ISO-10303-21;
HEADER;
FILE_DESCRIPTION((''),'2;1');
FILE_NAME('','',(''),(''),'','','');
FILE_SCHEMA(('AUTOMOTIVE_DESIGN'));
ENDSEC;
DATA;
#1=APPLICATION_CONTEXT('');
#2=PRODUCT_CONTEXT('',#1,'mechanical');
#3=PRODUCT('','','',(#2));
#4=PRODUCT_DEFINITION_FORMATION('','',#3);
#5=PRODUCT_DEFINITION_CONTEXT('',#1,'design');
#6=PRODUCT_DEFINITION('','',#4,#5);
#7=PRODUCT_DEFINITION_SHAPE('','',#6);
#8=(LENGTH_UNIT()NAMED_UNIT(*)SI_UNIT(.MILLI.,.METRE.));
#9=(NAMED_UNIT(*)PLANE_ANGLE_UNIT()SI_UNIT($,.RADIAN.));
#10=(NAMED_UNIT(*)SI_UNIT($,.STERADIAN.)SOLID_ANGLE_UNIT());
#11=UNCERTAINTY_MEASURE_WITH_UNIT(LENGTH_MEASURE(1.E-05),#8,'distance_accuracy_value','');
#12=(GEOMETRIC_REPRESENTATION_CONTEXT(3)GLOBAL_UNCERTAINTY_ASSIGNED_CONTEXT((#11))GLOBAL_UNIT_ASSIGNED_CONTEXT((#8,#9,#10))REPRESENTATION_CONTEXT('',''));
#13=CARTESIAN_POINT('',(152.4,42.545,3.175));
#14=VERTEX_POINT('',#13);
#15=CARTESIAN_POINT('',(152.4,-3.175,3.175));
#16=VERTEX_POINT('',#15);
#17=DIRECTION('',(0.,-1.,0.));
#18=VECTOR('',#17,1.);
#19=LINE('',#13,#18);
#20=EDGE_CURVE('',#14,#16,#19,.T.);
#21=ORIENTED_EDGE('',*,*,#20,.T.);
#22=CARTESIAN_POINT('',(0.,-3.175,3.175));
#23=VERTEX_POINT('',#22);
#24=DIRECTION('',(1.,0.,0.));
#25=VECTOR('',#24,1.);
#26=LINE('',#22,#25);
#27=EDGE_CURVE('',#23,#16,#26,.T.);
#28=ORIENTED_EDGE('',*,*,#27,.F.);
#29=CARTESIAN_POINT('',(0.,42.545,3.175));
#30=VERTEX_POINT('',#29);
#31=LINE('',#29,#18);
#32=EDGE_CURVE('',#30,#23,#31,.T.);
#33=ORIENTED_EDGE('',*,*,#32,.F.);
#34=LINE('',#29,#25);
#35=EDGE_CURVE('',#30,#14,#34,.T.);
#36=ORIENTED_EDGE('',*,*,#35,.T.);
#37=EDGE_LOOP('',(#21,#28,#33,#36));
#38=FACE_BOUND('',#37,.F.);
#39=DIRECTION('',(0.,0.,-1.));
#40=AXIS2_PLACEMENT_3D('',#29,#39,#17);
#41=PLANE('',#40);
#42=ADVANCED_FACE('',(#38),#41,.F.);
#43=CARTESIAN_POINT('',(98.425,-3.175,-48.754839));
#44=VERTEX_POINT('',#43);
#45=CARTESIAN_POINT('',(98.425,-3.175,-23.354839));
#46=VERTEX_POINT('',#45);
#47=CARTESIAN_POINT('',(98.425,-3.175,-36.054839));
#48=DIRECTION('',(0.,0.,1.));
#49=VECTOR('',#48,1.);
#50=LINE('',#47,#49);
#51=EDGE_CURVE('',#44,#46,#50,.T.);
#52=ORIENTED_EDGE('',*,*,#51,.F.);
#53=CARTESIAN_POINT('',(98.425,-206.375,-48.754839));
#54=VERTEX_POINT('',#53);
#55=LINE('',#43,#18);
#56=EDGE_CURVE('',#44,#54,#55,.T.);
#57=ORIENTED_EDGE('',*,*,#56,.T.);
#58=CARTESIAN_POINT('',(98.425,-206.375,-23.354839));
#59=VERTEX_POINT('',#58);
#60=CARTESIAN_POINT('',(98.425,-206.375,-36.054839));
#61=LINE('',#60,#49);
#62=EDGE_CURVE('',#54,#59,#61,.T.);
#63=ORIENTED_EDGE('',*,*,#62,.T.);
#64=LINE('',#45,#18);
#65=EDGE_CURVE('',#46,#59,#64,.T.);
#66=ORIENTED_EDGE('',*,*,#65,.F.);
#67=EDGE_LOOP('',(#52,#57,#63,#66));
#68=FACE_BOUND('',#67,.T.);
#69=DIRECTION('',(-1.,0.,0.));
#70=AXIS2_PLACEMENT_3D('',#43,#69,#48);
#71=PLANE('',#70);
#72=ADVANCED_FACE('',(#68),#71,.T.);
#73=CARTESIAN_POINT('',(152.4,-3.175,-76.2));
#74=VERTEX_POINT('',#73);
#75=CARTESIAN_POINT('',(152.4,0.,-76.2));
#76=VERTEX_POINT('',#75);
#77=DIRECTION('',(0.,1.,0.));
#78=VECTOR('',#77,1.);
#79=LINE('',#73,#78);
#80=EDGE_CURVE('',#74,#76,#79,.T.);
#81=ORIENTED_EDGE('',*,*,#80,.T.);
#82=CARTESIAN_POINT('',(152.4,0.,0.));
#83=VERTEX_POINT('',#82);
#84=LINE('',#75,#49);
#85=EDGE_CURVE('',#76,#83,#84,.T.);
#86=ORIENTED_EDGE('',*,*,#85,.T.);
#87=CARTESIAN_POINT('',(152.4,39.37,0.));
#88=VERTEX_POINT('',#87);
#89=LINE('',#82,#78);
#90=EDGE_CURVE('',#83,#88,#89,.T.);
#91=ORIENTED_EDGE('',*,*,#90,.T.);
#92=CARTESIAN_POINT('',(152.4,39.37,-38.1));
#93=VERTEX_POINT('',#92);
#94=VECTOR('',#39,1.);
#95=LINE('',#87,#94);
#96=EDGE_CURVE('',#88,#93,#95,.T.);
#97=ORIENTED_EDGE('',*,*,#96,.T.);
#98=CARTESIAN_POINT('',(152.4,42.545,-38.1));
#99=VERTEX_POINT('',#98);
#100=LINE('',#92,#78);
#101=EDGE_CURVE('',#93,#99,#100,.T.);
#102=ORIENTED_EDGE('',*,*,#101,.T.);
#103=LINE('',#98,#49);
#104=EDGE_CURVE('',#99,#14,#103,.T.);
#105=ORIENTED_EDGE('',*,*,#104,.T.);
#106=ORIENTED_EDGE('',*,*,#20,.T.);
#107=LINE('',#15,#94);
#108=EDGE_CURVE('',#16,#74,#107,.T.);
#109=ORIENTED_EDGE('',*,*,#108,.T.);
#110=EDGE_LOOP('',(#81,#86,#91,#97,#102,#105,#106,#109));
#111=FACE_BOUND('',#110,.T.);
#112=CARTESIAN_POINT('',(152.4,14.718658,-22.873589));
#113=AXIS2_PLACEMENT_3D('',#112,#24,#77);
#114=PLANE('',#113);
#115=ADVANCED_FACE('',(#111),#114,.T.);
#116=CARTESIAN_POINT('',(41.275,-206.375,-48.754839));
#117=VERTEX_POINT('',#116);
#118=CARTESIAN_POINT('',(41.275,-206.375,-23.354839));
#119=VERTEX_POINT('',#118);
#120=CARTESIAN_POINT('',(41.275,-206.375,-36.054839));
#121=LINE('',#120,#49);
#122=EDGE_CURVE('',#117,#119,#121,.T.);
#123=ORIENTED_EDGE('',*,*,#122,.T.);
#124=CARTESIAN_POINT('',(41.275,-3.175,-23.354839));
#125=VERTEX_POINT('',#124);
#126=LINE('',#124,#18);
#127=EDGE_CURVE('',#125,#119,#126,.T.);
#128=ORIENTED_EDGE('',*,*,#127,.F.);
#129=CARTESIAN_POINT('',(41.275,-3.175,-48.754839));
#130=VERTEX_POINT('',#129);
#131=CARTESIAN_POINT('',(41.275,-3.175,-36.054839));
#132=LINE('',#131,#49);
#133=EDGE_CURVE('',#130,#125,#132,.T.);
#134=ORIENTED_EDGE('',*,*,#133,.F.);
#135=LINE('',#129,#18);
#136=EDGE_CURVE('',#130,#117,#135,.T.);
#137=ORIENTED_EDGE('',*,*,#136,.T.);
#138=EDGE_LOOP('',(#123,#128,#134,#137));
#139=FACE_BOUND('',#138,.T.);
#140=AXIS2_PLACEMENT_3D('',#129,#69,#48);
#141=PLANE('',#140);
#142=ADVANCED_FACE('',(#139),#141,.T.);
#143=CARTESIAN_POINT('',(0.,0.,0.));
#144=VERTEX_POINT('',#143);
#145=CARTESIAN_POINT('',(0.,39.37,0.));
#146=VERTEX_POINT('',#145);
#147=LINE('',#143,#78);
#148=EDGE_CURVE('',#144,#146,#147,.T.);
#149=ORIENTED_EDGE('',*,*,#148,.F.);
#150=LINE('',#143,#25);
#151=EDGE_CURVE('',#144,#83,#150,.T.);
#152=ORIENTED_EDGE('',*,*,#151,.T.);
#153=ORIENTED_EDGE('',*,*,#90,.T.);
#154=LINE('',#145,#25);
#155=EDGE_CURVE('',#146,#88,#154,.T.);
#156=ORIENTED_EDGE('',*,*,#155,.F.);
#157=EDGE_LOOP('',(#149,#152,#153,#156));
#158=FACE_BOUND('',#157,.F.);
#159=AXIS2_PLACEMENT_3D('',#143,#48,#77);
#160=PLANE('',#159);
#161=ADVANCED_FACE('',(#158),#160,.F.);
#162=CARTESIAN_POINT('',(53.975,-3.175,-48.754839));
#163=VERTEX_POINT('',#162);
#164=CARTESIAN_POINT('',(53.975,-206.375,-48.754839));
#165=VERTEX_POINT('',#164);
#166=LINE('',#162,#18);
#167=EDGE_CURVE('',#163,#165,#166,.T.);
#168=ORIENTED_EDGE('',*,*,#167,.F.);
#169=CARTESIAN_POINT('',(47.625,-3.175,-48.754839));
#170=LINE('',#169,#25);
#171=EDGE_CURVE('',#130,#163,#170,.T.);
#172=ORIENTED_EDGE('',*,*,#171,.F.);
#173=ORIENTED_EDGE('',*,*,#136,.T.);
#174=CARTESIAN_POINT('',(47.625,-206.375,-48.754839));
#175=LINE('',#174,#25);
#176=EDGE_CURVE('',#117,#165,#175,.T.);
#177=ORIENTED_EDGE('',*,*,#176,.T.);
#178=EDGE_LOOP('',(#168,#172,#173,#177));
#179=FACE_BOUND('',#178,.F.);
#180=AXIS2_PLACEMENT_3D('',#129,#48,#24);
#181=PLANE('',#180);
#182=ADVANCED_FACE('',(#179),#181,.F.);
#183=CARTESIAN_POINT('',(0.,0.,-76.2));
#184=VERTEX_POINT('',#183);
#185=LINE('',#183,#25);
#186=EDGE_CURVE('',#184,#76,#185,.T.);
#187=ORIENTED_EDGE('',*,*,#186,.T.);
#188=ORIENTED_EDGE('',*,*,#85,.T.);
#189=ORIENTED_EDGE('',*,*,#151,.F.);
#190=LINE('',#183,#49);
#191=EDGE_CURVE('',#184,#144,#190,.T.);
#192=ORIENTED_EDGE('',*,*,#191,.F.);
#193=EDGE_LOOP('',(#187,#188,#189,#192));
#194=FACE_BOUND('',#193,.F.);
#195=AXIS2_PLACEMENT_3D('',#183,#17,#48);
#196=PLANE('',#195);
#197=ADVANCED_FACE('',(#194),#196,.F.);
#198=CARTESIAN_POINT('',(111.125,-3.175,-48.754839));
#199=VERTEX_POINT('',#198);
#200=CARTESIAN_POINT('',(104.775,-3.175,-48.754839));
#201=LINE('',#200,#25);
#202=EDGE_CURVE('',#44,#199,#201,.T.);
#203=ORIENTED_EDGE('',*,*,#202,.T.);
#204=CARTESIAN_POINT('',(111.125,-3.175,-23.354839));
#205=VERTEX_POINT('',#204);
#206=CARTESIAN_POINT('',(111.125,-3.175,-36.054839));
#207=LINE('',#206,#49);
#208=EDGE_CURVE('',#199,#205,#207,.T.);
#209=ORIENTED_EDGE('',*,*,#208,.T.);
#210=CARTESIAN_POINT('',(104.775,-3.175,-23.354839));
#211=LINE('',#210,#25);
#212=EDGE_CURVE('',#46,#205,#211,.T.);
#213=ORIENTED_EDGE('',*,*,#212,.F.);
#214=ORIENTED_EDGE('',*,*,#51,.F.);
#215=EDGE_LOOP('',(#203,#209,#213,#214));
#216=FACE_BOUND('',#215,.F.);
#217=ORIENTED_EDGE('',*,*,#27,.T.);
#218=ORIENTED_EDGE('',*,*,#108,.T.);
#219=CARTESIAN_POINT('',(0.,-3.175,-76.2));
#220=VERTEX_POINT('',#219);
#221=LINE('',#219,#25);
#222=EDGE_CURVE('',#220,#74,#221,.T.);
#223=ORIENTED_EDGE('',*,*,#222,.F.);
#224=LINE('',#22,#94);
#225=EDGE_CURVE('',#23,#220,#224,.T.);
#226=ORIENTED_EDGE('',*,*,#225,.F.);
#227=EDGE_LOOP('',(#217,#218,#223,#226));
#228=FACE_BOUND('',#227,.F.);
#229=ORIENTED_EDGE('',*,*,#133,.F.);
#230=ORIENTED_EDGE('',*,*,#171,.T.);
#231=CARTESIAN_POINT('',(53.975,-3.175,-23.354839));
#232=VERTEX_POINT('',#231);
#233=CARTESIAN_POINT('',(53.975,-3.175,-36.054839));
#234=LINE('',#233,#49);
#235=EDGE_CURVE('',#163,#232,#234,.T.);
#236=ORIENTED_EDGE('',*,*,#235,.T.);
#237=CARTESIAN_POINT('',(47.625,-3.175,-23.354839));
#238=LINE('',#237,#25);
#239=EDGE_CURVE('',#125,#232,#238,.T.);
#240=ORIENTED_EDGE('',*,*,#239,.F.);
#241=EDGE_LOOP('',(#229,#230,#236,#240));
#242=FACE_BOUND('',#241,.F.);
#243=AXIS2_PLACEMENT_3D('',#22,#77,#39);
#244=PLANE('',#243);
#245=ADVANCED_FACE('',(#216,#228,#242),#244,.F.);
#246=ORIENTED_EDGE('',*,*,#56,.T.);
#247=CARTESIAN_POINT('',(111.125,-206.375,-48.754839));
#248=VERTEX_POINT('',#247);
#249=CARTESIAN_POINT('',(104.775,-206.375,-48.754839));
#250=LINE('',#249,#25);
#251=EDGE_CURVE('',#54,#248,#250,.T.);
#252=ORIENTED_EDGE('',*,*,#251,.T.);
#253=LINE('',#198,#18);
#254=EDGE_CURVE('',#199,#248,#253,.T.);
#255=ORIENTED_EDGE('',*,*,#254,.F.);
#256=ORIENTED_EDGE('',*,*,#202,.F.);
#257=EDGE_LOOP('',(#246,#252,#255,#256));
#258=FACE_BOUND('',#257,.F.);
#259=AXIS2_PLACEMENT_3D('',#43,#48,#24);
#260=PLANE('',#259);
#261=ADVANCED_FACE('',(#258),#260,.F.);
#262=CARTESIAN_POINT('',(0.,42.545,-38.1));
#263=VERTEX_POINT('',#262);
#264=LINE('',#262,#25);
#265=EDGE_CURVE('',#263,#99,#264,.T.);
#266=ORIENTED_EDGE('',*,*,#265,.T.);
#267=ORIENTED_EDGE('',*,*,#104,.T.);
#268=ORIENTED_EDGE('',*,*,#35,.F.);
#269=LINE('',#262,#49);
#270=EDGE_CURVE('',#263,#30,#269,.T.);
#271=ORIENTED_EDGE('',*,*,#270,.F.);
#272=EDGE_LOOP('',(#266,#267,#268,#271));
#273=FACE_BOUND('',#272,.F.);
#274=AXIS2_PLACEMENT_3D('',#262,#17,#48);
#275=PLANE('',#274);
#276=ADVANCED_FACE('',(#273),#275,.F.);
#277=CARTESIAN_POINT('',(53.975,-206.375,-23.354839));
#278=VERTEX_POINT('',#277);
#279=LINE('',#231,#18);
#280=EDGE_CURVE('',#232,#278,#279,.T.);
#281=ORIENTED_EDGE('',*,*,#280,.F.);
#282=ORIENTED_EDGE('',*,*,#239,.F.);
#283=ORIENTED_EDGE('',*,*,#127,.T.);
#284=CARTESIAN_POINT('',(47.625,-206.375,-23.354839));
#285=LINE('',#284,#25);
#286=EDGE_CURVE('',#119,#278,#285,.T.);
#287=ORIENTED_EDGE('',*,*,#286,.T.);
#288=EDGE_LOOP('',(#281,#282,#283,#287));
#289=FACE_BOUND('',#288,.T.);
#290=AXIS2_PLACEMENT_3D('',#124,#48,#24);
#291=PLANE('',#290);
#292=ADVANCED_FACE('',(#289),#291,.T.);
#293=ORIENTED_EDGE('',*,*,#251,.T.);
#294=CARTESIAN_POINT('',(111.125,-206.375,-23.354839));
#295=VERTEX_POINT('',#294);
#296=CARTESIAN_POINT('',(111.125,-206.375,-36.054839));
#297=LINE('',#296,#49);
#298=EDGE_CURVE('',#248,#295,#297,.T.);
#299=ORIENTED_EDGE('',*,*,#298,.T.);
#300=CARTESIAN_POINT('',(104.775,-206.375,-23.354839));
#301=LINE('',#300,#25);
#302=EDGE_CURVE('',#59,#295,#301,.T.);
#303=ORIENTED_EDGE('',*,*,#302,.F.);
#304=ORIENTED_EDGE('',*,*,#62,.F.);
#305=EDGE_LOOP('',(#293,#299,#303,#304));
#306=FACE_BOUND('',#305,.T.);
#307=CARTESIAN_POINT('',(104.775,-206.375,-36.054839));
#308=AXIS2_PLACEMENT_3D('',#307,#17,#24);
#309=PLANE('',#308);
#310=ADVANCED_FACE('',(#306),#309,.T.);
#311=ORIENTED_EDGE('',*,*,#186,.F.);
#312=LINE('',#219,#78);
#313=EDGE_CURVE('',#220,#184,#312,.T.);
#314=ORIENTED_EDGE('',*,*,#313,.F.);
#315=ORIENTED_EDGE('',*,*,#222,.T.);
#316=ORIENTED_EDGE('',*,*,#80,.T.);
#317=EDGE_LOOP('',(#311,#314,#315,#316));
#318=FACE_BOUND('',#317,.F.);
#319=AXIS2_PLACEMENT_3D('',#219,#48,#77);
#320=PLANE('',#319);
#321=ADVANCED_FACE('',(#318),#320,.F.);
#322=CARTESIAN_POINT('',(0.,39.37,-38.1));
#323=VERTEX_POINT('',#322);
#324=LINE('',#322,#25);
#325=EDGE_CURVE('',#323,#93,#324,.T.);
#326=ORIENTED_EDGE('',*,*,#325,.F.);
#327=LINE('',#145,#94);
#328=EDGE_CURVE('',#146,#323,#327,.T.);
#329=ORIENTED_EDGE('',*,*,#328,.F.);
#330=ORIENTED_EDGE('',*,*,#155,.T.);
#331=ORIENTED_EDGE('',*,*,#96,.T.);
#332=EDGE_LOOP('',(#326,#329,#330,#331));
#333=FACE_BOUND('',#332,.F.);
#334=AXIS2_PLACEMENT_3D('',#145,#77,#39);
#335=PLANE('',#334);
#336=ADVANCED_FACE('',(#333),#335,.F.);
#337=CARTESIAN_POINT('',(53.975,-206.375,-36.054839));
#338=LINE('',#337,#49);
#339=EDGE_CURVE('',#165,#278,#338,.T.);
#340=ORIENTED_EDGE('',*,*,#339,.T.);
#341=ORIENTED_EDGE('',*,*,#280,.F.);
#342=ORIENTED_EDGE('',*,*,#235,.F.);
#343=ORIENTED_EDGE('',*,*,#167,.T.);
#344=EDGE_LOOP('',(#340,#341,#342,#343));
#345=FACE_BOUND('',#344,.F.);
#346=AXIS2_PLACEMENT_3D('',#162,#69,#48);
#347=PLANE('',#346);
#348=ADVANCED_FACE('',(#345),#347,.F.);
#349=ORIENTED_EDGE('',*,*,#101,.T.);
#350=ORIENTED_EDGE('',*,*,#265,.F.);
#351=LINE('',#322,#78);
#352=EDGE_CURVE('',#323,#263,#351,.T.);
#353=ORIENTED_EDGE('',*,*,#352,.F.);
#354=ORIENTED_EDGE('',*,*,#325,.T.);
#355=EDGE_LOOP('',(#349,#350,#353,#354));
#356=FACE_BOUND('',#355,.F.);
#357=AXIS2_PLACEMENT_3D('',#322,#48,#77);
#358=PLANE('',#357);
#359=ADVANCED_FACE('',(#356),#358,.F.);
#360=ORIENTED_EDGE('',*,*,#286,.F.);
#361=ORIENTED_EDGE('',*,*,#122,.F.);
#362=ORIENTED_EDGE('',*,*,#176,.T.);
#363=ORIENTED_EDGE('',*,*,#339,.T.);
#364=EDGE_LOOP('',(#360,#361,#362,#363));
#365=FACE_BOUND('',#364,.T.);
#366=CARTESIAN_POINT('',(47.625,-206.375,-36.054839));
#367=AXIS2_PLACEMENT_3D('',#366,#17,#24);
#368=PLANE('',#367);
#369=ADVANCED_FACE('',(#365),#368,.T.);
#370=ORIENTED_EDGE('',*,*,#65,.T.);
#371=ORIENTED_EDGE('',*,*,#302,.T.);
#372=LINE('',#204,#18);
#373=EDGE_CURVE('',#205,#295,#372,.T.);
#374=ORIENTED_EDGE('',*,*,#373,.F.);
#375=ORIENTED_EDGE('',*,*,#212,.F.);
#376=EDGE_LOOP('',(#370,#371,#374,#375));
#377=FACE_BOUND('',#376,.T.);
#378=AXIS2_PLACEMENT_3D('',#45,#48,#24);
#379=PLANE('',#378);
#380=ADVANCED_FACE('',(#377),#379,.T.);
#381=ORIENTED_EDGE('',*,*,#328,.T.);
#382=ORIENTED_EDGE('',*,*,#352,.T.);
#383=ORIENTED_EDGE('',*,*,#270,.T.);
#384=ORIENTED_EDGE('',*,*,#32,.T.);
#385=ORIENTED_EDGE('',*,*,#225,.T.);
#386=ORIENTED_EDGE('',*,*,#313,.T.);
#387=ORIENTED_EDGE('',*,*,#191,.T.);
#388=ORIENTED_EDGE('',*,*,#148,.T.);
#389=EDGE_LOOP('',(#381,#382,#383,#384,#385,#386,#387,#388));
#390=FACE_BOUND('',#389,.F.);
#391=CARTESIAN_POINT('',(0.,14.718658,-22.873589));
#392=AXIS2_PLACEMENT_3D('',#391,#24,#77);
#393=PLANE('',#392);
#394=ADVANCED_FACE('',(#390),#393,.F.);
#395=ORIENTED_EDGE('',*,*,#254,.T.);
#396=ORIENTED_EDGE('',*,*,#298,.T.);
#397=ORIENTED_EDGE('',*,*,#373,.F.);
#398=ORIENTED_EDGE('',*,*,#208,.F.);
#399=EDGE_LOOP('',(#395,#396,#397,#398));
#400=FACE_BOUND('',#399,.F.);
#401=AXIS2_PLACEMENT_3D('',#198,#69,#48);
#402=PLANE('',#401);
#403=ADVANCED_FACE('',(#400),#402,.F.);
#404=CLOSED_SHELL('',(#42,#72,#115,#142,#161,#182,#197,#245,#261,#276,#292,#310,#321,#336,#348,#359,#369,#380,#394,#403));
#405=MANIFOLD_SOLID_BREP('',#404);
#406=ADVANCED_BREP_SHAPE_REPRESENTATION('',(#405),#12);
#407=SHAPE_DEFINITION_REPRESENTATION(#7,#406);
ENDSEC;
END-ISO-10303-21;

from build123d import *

# Parameters (mm, degrees)
F1_DEPTH = 152.4
F2_W     = 12.7
F2_H     = 25.4
F3_DEPTH = 203.2


with BuildPart() as f1:
    # F0 (on Right) → F1 (new body)
    with BuildSketch(Plane.YZ):
        Polygon((-3.175, -76.2), (0, -76.2), (0, 0), (39.37, 0), (39.37, -38.1), (42.545, -38.1), (42.545, 3.175), (-3.175, 3.175), align=None)
    extrude(amount=F1_DEPTH)

    # F2 (on face) → F3 (join)
    with BuildSketch(Plane.XZ.offset(3.175)):
        with Locations((47.625, -36.054839)):
            Rectangle(F2_W, F2_H)
        with Locations((104.775, -36.054839)):
            Rectangle(F2_W, F2_H)
    extrude(amount=F3_DEPTH)


solid = f1.part
